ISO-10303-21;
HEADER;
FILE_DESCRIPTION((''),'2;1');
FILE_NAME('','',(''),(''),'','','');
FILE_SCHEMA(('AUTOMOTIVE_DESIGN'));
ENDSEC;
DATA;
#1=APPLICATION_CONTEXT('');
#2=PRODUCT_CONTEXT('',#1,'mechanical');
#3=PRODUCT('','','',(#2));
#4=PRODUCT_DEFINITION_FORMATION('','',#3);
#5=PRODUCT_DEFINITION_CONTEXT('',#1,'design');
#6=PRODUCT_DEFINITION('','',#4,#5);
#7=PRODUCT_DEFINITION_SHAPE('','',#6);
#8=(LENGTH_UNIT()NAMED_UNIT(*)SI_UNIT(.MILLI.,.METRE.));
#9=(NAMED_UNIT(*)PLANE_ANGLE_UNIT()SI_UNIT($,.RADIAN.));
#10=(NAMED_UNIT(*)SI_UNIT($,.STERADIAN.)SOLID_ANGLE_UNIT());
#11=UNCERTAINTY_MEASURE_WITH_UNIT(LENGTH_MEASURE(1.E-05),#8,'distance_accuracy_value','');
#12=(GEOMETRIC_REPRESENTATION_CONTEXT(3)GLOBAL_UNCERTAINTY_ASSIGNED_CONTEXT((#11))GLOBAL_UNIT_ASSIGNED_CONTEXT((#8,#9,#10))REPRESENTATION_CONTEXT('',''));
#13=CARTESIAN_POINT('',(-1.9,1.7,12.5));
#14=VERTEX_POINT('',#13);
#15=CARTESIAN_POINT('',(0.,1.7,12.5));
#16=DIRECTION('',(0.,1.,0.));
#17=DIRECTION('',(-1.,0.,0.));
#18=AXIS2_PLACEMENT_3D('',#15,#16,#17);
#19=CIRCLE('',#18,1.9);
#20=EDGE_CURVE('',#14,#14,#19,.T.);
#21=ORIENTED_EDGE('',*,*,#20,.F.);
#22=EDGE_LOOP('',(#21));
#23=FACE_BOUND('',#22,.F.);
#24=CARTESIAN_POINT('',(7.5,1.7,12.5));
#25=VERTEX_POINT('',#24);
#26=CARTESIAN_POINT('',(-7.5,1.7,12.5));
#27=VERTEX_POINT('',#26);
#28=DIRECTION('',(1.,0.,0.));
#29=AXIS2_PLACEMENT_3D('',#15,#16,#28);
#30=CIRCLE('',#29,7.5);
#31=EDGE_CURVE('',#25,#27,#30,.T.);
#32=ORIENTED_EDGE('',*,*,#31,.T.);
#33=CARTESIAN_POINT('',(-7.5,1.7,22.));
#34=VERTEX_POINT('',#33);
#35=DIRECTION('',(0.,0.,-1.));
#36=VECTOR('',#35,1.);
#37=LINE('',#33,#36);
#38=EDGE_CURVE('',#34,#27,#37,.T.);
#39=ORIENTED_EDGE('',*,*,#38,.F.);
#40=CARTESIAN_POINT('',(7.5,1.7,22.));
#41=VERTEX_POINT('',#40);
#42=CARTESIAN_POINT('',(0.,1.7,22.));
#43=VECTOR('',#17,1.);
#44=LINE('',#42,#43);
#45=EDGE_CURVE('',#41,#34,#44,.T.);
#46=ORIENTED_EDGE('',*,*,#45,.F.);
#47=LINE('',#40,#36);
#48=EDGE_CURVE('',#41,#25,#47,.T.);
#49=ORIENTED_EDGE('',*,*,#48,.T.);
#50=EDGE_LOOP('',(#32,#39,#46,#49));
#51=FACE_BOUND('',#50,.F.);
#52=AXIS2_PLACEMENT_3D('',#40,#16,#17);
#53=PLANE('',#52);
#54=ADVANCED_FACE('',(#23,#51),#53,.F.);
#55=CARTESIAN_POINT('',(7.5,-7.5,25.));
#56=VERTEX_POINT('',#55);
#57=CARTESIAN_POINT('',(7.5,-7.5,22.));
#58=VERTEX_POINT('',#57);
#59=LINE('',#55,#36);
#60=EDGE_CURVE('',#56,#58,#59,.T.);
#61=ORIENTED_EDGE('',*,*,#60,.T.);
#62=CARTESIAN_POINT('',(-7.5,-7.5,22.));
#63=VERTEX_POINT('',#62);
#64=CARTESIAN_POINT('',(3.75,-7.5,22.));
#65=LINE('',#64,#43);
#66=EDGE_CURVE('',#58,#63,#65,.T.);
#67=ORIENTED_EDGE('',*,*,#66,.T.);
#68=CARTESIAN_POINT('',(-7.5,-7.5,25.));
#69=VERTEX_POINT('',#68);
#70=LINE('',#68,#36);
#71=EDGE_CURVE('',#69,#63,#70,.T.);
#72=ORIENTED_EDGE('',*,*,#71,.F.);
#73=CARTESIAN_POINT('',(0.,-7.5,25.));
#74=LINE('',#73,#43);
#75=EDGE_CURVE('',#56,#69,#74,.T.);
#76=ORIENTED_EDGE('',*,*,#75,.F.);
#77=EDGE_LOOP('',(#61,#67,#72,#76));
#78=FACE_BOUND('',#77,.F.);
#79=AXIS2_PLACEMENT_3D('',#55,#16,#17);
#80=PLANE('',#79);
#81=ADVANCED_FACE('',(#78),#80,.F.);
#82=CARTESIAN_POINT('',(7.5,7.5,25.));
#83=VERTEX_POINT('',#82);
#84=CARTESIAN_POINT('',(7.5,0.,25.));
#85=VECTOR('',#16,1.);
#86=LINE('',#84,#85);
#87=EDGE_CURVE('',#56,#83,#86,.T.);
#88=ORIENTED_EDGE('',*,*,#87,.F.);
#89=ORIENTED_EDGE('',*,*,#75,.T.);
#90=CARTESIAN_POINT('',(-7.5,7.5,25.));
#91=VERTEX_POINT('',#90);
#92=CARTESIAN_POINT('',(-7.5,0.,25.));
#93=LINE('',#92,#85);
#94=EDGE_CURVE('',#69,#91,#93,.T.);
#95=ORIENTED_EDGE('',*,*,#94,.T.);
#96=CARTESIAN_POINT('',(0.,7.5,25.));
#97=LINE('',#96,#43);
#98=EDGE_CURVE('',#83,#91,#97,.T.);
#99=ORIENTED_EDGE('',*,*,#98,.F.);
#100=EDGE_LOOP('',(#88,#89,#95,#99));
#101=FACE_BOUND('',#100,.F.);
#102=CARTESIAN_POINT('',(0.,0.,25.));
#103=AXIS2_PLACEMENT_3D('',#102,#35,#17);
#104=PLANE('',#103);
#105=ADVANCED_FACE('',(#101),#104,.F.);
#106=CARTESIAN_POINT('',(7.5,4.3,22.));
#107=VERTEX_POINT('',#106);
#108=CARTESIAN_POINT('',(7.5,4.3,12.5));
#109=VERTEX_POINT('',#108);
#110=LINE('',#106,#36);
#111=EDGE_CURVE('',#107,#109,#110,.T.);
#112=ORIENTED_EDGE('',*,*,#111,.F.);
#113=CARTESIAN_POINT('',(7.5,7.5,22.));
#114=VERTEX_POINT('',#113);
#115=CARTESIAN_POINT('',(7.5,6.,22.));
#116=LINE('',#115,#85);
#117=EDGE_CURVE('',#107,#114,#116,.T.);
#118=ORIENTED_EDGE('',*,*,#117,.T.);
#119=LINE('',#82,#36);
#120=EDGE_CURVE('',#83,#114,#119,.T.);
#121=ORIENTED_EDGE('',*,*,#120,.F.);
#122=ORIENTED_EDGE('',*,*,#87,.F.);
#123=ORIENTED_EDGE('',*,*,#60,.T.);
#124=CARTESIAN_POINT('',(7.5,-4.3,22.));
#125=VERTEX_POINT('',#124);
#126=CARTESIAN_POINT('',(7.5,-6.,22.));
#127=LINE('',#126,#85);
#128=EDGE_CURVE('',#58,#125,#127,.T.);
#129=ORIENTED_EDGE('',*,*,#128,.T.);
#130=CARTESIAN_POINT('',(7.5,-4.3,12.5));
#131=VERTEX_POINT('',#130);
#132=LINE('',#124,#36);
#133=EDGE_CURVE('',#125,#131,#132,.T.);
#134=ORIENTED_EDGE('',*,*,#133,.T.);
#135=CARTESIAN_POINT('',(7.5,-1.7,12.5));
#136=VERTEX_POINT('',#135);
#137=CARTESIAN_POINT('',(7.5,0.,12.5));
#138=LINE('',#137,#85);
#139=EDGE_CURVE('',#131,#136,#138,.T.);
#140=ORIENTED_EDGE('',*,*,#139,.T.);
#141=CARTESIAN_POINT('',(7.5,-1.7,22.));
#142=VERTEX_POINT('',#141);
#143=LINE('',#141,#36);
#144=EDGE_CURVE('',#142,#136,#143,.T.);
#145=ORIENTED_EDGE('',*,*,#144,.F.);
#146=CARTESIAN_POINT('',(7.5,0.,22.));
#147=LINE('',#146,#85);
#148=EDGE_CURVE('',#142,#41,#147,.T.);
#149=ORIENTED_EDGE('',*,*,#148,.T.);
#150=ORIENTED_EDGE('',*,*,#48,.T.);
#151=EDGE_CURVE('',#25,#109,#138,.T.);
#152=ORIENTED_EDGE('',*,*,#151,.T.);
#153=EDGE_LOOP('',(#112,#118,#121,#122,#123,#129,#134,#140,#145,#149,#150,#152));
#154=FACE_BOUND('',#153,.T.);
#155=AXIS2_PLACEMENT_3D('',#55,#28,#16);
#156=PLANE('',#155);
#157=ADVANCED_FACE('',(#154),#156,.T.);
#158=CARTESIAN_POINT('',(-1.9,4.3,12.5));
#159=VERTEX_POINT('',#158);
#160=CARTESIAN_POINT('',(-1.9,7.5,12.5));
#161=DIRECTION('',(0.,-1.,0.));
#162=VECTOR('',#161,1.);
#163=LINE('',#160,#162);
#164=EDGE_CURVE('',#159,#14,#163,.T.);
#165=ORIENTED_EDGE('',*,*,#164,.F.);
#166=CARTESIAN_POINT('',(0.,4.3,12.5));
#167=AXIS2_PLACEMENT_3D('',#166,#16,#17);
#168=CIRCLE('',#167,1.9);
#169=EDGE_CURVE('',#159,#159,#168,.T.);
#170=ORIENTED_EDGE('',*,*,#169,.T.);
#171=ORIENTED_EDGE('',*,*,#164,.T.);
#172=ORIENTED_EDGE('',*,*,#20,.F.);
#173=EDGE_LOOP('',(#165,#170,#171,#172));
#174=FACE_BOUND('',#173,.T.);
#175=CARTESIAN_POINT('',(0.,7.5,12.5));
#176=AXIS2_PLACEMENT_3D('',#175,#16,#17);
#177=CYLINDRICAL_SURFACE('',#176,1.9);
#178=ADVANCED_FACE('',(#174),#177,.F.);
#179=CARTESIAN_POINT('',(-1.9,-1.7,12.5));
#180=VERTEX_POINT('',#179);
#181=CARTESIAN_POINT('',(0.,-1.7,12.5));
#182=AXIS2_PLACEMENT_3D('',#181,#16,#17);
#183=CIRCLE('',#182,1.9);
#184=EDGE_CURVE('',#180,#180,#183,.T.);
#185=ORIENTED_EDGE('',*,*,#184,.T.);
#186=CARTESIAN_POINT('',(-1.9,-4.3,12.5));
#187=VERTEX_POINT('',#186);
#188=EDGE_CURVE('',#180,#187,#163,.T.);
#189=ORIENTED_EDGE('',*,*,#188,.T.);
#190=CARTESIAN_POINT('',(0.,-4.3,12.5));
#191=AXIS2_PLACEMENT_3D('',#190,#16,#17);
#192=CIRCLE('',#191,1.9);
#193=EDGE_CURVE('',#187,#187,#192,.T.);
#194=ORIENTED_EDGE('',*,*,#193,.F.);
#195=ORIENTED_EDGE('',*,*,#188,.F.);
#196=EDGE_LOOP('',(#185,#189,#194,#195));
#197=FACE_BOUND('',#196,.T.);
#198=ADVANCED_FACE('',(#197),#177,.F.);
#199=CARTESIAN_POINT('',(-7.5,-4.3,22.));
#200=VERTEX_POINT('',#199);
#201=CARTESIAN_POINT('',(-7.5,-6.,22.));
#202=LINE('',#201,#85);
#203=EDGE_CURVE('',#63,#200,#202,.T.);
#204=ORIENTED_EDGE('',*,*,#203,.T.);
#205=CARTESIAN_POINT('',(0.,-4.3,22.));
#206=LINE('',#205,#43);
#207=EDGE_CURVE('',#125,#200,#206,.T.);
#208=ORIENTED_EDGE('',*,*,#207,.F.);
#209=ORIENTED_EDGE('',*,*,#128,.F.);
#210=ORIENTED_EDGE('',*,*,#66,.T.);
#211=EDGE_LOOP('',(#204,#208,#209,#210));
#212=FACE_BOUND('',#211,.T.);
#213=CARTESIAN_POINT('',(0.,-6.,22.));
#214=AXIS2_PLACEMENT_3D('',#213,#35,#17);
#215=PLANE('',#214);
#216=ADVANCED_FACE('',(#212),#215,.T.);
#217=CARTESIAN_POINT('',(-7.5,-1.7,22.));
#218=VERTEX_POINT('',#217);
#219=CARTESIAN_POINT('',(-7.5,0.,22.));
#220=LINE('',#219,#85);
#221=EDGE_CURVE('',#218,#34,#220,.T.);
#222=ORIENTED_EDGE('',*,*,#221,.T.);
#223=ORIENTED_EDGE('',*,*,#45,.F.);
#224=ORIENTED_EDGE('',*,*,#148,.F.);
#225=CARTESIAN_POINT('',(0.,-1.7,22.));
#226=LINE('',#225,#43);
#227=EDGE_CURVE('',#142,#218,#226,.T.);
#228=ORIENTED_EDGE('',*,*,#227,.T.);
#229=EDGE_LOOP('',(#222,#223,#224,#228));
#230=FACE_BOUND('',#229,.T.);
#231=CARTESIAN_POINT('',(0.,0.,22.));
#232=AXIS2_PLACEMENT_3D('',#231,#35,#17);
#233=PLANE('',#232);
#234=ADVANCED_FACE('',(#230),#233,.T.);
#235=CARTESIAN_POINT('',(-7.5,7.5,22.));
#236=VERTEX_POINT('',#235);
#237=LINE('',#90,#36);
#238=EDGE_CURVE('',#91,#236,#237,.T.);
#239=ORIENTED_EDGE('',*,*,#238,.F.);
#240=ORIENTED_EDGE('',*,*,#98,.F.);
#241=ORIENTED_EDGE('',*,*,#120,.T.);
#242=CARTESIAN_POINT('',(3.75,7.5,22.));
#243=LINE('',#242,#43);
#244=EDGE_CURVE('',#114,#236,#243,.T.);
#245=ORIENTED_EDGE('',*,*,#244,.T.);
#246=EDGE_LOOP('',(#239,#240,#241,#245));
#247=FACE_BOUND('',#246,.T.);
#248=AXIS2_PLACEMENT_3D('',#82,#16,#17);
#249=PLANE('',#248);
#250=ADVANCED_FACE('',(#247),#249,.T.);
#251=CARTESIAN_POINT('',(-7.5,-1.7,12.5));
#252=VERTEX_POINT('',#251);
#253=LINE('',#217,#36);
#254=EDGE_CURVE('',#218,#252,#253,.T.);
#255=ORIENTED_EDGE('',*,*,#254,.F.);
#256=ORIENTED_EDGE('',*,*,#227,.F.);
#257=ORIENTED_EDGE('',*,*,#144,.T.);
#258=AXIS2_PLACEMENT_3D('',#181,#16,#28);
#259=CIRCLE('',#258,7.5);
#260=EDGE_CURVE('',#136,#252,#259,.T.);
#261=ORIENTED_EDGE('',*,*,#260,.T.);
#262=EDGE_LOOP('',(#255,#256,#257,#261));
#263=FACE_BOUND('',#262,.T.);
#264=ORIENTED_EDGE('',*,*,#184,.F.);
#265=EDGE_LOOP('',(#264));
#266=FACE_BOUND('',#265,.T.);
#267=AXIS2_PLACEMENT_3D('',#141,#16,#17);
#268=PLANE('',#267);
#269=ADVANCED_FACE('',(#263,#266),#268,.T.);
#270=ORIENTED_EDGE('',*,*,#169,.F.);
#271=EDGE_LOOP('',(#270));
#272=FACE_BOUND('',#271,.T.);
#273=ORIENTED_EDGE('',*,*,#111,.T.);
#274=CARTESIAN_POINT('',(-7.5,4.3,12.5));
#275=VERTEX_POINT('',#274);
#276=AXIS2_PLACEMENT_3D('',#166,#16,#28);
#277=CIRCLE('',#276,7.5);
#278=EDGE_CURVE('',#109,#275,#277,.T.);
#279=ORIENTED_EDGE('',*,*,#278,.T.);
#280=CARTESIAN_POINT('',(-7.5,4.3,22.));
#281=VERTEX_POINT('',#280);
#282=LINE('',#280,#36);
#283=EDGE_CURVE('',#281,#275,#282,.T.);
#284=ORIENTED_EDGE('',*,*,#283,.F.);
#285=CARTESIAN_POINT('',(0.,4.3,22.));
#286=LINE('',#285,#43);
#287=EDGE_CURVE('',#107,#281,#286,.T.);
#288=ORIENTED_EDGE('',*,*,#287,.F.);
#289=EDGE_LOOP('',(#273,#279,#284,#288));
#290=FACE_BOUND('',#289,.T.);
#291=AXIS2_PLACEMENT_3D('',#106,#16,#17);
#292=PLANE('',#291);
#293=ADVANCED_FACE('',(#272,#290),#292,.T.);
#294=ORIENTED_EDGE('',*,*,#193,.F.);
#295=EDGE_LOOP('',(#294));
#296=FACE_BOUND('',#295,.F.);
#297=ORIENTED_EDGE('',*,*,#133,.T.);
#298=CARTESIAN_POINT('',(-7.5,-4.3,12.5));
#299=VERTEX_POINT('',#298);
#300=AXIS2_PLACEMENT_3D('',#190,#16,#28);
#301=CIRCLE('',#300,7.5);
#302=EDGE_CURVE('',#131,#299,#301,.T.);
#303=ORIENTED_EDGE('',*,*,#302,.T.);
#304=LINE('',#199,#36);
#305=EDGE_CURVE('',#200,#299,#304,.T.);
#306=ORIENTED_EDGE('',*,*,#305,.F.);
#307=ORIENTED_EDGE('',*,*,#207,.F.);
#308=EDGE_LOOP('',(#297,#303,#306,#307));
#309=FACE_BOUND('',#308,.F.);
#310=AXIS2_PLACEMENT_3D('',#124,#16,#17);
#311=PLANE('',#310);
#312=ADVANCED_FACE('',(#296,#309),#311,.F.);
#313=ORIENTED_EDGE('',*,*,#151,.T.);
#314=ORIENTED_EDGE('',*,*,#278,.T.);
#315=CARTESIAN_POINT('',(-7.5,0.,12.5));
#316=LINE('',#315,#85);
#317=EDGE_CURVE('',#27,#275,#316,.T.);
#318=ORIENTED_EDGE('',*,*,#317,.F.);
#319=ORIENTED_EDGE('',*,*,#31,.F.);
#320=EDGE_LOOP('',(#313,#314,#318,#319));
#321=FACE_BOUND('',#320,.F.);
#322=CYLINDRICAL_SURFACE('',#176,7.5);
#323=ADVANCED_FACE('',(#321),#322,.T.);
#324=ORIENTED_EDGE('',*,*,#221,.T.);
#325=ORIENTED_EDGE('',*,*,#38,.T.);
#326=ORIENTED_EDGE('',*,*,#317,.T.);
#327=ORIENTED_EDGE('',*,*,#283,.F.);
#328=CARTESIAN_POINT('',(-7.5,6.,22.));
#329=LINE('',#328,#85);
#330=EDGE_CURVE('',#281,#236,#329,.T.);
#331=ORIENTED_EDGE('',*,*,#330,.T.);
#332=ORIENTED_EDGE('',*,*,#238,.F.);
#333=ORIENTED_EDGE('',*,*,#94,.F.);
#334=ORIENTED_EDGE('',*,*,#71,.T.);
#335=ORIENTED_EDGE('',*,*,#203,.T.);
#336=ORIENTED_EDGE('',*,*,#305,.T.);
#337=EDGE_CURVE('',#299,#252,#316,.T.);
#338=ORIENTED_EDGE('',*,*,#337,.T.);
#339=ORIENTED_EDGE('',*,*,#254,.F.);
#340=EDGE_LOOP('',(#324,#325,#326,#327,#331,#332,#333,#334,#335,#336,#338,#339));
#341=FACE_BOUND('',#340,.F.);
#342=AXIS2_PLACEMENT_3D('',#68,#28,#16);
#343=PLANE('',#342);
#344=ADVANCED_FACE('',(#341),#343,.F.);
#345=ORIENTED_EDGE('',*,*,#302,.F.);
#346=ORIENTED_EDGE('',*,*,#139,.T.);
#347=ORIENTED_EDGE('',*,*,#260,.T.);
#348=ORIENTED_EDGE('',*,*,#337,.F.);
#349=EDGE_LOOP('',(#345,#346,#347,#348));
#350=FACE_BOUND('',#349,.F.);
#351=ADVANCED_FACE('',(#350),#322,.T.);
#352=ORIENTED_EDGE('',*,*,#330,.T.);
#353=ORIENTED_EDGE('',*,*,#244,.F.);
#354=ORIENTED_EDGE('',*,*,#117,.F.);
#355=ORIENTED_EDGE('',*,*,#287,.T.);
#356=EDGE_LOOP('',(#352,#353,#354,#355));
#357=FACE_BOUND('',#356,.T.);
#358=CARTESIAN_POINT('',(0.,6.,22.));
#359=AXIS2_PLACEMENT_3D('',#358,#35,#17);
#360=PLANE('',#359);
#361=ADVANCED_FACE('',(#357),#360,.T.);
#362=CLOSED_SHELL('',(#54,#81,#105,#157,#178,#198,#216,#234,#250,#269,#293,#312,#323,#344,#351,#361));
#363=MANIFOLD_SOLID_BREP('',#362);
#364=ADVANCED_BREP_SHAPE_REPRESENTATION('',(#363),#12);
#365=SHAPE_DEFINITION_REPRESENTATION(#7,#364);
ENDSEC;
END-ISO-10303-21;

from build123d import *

# Parameters (mm, degrees)
CYLINDER004_R        = 1.9
CYLINDER004_DEPTH    = 15
BOX005_W             = 15
BOX005_H             = 3.4
BOX005_DEPTH         = 17
ARRAY001_Y_COUNT     = 3
ARRAY001_Y_PITCH     = 6
CYLINDER003_R        = 7.5
CYLINDER003_DEPTH    = 15
BOX004_W             = 15
BOX004_H             = 15
BOX004_DEPTH         = 12.5
BODY_PLACEMENT_ANGLE = 180


with BuildPart() as side_2_bolt_hole:
    # Cylinder004 → Cylinder004 (new body)
    with BuildSketch(Plane(origin=(0, 7.5, 12.5), x_dir=(1, 0, 0), z_dir=(0, -1, 0))):
        Circle(CYLINDER004_R)
    extrude(amount=CYLINDER004_DEPTH)


with BuildPart() as side_2_extract_fusion:
    # Box005 → Box005 (new body)
    with BuildSketch(Plane(origin=(-7.5, -7.7, 3), x_dir=(1, 0, 0), z_dir=(0, 0, 1))):
        with Locations((7.5, 1.7)):
            Rectangle(BOX005_W, BOX005_H)
    extrude(amount=BOX005_DEPTH)

    # Array001 Y: side 2 extract fusion ×3


with BuildPart() as side_2_extract_fusion_1:
    add(side_2_extract_fusion.part)
    with Locations(*[(0, i * ARRAY001_Y_PITCH, 0) for i in range(1, ARRAY001_Y_COUNT)]):
        add(side_2_extract_fusion.part)

    # Fusion004: union side 2 bolt hole
    add(side_2_bolt_hole.part)


with BuildPart() as outer_cylinder001:
    # Cylinder003 → Cylinder003 (new body)
    with BuildSketch(Plane(origin=(0, 7.5, 12.5), x_dir=(1, 0, 0), z_dir=(0, -1, 0))):
        Circle(CYLINDER003_R)
    extrude(amount=CYLINDER003_DEPTH)


with BuildPart() as side_2_cut_clone:
    # Box004 → Box004 (new body)
    with BuildSketch(Plane(origin=(-7.5, -7.5, 0), x_dir=(1, 0, 0), z_dir=(0, 0, 1))):
        with Locations((7.5, 7.5)):
            Rectangle(BOX004_W, BOX004_H)
    extrude(amount=BOX004_DEPTH)

    # Fusion003: union outer cylinder001
    add(outer_cylinder001.part)

    # Cut001: cut side 2 extract fusion
    add(side_2_extract_fusion_1.part, mode=Mode.SUBTRACT)


with BuildPart() as side_2_cut_clone_1:
    # Body placement: moved
    add(side_2_cut_clone.part.moved(Location((0, 0, 25))).rotate(Axis((0, 0, 25), (0, 1, 0)), BODY_PLACEMENT_ANGLE))


solid = side_2_cut_clone_1.part
